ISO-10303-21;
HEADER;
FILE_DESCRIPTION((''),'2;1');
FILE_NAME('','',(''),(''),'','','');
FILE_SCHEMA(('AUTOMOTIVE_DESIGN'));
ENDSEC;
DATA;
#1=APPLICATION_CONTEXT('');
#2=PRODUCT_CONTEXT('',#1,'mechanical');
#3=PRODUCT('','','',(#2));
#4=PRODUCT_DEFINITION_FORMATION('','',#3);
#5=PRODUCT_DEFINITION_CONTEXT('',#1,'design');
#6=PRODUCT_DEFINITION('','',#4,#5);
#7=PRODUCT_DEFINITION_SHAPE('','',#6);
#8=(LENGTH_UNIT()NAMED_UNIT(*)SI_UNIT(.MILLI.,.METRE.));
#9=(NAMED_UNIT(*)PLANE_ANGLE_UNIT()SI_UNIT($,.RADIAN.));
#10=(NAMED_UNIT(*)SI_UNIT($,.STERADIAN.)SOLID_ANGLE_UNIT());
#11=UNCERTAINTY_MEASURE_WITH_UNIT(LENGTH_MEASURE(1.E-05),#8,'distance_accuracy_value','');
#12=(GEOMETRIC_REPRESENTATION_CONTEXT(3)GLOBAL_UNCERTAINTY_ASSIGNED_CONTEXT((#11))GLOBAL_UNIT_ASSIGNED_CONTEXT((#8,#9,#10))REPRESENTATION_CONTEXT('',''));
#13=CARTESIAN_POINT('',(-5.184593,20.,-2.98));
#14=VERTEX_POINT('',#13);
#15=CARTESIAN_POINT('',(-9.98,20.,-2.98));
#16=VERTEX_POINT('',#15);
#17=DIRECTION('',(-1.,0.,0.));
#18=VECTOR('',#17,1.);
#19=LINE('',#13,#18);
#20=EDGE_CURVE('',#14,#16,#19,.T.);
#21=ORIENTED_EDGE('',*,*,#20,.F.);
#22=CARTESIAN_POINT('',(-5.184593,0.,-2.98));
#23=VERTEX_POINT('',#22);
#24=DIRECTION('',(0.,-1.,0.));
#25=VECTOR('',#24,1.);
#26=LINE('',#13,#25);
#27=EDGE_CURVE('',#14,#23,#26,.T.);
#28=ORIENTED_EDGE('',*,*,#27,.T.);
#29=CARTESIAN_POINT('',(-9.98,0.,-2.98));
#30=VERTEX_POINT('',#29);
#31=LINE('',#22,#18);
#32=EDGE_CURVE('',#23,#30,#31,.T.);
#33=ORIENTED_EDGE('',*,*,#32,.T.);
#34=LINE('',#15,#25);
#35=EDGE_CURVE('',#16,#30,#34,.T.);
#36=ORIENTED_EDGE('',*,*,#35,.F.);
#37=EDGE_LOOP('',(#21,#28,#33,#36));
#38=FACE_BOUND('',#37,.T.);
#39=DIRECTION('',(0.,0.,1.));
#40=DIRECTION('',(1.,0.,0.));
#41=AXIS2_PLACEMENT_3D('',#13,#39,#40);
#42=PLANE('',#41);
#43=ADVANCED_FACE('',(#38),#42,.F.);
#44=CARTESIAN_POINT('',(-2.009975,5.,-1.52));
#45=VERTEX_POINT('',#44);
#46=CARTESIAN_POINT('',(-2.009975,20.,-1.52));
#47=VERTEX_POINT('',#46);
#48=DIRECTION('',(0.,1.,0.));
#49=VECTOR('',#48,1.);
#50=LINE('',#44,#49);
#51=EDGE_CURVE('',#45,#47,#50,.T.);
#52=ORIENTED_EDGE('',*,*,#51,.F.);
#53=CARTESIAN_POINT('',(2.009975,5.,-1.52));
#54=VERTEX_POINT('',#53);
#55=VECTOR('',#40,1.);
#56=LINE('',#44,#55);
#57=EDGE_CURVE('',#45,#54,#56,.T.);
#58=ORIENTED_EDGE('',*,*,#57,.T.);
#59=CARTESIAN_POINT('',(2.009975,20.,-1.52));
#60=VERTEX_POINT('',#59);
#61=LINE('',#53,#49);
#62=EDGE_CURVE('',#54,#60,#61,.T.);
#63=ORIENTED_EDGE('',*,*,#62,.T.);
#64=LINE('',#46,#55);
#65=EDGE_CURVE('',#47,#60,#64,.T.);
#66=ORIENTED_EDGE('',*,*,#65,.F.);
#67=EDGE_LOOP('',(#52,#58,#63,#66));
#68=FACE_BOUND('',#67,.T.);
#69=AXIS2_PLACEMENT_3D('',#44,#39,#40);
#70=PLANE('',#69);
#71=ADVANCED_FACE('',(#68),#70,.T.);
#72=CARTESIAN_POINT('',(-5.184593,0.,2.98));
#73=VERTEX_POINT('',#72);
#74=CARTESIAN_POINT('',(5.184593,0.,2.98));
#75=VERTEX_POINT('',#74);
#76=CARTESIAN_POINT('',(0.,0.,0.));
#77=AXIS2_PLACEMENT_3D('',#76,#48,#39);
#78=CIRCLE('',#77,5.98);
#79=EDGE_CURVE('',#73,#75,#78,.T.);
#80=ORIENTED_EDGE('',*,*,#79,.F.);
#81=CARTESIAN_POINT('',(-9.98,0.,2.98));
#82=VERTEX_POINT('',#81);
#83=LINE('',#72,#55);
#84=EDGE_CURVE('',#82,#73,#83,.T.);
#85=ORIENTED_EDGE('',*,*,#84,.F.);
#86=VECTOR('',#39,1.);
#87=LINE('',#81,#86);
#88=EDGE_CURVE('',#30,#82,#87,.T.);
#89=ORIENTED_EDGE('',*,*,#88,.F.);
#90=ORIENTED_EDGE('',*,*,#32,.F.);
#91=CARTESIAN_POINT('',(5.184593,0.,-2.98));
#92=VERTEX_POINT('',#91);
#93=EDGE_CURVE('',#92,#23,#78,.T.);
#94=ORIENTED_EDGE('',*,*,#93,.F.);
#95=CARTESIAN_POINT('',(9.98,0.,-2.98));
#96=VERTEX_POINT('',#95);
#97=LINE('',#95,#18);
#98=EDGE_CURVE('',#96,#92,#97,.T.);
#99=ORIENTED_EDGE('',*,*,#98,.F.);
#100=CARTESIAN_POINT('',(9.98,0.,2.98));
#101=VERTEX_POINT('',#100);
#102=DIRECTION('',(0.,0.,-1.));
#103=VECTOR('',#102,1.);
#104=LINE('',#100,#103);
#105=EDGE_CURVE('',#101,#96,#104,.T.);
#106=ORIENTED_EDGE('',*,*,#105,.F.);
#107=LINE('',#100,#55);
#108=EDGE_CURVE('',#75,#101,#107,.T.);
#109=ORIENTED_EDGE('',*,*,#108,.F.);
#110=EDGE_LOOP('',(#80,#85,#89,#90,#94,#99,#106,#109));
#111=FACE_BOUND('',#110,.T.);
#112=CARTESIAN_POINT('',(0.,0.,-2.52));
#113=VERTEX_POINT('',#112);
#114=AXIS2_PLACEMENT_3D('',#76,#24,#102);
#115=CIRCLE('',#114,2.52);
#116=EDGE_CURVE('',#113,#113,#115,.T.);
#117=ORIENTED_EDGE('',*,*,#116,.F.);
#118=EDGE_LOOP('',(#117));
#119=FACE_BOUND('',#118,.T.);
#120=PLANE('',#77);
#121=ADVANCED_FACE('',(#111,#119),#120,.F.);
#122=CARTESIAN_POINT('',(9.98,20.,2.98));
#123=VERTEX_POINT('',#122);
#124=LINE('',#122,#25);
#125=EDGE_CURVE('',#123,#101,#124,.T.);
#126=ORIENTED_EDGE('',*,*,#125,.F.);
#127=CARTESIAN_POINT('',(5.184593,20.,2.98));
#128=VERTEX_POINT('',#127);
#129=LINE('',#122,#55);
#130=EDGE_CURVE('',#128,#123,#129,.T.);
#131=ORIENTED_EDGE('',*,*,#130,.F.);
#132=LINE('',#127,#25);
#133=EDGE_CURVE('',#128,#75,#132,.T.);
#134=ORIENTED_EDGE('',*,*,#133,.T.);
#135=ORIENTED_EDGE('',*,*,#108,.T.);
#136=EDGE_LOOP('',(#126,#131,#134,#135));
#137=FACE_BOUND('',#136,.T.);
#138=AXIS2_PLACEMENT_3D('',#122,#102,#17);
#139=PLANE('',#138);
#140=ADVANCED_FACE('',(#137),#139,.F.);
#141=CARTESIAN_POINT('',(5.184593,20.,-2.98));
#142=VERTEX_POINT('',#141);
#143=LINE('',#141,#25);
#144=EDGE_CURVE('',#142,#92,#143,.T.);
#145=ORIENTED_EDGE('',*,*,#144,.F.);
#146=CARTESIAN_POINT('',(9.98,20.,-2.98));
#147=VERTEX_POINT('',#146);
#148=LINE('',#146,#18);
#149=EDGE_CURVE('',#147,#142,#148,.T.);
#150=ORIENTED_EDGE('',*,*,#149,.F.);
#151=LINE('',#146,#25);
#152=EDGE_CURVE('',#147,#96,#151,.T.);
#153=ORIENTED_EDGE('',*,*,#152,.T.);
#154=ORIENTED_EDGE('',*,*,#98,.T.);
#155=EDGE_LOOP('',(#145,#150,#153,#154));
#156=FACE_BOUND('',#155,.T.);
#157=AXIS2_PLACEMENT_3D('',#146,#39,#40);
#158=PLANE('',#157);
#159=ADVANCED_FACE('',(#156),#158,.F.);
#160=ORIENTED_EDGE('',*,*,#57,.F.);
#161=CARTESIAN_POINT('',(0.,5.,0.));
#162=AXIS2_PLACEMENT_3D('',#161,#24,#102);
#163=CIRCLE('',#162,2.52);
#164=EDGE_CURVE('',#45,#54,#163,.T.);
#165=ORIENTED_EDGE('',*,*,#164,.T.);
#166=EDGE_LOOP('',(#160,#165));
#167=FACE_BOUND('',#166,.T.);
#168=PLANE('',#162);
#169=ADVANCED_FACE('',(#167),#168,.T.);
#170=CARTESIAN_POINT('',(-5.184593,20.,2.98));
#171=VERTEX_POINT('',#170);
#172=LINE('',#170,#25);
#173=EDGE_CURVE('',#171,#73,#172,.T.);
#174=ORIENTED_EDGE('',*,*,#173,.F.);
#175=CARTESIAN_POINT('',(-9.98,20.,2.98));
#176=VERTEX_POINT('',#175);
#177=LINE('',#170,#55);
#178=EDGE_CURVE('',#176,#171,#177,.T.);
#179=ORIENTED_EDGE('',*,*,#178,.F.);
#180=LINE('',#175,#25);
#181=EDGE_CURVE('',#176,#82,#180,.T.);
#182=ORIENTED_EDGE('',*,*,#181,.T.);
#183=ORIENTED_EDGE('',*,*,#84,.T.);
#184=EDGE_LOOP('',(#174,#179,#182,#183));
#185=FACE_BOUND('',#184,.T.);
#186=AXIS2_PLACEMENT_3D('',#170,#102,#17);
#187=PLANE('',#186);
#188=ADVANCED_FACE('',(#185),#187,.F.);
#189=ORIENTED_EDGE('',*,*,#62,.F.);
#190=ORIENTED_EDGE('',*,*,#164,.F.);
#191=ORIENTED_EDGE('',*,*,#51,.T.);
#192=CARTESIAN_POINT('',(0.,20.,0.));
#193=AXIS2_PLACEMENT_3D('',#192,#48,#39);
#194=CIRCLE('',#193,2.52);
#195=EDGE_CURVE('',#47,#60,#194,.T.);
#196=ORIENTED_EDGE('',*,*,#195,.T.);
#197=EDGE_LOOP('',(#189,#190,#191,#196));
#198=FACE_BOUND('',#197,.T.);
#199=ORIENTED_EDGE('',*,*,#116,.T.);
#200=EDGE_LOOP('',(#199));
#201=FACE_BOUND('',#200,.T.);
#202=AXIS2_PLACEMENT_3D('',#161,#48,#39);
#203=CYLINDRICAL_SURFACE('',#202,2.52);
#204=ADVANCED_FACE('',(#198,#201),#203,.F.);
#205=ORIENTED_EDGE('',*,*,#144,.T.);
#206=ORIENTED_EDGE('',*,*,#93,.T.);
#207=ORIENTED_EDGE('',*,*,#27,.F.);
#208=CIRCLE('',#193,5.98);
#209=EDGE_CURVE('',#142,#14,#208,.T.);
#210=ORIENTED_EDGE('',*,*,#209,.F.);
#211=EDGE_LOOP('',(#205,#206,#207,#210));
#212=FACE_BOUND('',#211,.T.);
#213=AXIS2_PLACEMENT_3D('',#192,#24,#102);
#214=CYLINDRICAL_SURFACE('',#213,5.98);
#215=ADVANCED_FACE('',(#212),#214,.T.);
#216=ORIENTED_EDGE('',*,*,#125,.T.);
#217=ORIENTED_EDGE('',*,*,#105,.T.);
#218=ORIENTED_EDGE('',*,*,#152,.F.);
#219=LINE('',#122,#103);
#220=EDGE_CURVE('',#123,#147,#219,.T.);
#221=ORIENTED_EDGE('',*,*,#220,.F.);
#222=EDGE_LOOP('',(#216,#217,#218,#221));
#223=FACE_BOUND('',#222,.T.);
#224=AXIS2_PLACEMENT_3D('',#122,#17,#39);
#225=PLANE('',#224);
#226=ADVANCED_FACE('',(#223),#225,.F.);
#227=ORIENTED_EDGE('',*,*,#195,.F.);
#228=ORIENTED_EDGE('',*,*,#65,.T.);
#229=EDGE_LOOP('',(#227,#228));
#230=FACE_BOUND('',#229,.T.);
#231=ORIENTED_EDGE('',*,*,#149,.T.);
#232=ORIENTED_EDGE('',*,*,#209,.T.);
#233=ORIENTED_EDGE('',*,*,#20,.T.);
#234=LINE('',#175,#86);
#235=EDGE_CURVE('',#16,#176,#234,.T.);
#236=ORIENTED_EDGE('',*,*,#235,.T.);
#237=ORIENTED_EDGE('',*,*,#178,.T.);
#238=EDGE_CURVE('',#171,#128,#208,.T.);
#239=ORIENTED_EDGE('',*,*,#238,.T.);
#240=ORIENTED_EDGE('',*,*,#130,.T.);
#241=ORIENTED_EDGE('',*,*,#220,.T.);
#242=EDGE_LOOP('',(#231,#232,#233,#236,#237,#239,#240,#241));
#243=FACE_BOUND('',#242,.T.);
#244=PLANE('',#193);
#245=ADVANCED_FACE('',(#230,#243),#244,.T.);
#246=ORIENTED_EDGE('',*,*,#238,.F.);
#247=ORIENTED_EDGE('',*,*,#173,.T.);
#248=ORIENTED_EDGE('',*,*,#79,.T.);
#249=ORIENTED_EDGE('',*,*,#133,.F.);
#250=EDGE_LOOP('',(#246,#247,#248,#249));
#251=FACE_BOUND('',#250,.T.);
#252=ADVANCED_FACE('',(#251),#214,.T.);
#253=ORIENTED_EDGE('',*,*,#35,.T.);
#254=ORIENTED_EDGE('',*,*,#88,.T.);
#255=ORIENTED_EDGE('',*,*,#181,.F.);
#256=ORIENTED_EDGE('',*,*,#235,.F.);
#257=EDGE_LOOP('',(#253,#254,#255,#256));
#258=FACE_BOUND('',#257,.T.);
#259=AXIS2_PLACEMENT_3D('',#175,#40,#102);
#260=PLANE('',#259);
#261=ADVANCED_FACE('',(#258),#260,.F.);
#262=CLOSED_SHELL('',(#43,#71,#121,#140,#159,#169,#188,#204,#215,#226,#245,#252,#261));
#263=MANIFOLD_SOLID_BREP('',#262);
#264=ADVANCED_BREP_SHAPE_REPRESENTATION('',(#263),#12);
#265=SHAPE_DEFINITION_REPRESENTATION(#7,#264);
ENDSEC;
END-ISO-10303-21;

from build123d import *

# Parameters (mm, degrees)
EXTRUDE_3_DEPTH     = 20
CUT_EXTRUDE_4_DEPTH = 15
CUT_EXTRUDE_START   = -5
SKETCH_6_R          = 2.52
CUT_EXTRUDE_5_DEPTH = 5


with BuildPart() as part:
    # 草图1 → 凸台-拉伸3 (new body)
    with BuildSketch(Plane(origin=(0, 0, 0), x_dir=(1, 0, 0), z_dir=(0, 1, 0))):
        with BuildLine():
            Line((9.98, -2.98), (5.184592559, -2.98))
            ThreePointArc((5.184592559, -2.98), (0, -5.98), (-5.184592559, -2.98))
            Line((-5.184592559, -2.98), (-9.98, -2.98))
            Line((-9.98, -2.98), (-9.98, 2.98))
            Line((-9.98, 2.98), (-5.184592559, 2.98))
            ThreePointArc((-5.184592559, 2.98), (0, 5.98), (5.184592559, 2.98))
            Line((5.184592559, 2.98), (9.98, 2.98))
            Line((9.98, 2.98), (9.98, -2.98))
        make_face()
    extrude(amount=EXTRUDE_3_DEPTH)

    # 草图5 → 切除-拉伸4 (cut)
    with BuildSketch(Plane(origin=(0, 20, 0), x_dir=(1, 0, 0), z_dir=(0, 1, 0))):
        with BuildLine():
            Line((-2.009975124, 1.52), (2.009975124, 1.52))
            ThreePointArc((2.009975124, 1.52), (0, -2.52), (-2.009975124, 1.52))
        make_face()
    extrude(amount=-CUT_EXTRUDE_4_DEPTH, mode=Mode.SUBTRACT)

    # 草图6 → 切除-拉伸5 (cut)
    with BuildSketch(Plane.XZ.offset(CUT_EXTRUDE_START)):
        with Locations(Location((0, 0, 0), (0, 0, 217.097601801))):
            Circle(SKETCH_6_R)
    extrude(amount=CUT_EXTRUDE_5_DEPTH, mode=Mode.SUBTRACT)


solid = part.part
